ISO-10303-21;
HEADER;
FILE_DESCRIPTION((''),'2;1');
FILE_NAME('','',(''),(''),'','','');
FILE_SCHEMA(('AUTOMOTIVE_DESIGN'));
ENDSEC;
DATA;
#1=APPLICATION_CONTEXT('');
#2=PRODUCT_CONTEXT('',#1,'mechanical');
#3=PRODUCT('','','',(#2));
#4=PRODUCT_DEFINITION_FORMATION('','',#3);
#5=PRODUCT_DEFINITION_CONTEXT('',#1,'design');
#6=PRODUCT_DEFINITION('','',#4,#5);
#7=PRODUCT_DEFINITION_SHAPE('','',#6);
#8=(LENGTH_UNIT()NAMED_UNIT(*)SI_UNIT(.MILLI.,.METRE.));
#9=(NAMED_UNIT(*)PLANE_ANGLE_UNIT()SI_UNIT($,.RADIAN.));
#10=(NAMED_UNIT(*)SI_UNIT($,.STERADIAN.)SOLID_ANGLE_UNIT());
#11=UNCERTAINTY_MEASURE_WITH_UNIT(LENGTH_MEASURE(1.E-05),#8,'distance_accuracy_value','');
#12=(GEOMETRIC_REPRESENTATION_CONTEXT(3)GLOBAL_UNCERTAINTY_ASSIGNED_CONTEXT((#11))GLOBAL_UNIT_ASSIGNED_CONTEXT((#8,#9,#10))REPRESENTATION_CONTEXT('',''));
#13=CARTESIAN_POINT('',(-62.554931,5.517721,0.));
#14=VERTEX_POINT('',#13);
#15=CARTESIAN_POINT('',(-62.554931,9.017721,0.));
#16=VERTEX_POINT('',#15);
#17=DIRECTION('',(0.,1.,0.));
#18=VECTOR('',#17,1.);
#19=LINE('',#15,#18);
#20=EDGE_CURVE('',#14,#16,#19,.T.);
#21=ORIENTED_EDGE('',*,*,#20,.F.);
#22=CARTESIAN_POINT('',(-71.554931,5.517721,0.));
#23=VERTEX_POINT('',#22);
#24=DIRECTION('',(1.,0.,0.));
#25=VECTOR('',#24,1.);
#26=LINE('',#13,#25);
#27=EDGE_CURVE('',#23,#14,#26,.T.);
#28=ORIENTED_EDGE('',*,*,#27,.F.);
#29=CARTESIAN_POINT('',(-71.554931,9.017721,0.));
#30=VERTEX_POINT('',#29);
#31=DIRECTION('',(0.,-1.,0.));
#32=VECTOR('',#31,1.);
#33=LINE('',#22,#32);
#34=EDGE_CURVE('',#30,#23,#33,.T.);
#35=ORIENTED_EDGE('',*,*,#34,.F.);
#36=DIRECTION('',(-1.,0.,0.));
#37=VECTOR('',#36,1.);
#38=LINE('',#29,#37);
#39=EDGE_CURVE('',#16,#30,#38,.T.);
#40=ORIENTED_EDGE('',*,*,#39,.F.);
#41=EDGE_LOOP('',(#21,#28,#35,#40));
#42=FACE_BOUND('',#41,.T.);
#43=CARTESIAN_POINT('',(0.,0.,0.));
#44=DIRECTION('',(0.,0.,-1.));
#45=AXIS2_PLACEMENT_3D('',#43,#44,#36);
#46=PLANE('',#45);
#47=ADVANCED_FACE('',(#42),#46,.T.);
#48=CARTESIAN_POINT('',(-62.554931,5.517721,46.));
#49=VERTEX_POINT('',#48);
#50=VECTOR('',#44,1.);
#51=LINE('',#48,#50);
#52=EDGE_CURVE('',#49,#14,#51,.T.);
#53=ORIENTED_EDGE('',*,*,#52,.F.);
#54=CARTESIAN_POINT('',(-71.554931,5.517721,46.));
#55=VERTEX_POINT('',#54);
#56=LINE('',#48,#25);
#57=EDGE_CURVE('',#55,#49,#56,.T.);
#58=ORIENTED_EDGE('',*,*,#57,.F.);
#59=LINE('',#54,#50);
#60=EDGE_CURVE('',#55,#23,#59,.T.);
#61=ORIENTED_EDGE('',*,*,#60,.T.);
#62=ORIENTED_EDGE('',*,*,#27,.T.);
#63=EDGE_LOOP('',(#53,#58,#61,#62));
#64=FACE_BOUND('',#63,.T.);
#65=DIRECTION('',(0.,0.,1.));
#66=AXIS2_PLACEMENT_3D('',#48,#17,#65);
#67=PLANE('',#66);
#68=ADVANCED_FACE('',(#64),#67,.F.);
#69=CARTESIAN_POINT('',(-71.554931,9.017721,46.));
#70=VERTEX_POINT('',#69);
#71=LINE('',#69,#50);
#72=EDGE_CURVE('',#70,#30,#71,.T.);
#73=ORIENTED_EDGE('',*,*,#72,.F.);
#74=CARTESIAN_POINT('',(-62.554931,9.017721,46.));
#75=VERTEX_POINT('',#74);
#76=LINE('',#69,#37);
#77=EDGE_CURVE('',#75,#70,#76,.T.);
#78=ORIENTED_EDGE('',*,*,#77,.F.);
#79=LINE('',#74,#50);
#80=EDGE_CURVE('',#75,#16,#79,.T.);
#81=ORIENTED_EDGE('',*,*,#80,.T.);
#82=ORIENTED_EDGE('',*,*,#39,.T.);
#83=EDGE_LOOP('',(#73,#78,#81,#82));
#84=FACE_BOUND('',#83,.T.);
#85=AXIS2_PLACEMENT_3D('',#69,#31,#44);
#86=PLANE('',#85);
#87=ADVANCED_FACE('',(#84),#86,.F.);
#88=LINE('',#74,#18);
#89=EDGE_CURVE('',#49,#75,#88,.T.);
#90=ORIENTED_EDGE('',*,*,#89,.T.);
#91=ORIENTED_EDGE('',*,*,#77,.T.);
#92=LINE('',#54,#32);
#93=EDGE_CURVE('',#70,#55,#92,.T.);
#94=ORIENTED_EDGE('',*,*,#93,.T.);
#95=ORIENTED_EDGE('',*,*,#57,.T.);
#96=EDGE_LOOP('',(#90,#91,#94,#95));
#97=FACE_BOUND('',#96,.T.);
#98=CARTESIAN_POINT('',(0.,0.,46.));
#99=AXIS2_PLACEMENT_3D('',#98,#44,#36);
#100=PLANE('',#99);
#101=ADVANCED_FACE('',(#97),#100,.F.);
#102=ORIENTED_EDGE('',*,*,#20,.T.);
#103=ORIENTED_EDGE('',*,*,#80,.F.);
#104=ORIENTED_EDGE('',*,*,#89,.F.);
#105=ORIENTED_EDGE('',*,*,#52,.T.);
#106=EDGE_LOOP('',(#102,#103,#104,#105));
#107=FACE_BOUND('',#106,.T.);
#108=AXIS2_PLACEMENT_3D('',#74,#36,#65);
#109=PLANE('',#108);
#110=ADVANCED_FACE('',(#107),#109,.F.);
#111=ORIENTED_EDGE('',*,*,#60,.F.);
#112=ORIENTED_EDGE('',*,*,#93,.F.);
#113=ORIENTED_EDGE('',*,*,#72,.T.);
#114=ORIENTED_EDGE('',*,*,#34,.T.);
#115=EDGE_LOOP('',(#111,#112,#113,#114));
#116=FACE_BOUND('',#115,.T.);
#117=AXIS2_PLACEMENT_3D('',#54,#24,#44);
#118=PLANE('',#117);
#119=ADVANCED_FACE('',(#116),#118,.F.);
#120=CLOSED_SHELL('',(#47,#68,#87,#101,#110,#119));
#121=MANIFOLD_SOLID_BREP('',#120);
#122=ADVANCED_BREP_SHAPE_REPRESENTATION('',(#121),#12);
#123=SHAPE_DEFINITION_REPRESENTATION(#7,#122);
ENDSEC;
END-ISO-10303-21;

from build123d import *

# Parameters (mm, degrees)
CROQUIS1_W              = 9
CROQUIS1_H              = 3.5
SALIENTE_EXTRUIR1_DEPTH = 46


with BuildPart() as part:
    # Croquis1 → Saliente-Extruir1 (new body)
    with BuildSketch(Plane.XY):
        with Locations((-67.054930642, 7.267721006)):
            Rectangle(CROQUIS1_W, CROQUIS1_H)
    extrude(amount=SALIENTE_EXTRUIR1_DEPTH)


solid = part.part
